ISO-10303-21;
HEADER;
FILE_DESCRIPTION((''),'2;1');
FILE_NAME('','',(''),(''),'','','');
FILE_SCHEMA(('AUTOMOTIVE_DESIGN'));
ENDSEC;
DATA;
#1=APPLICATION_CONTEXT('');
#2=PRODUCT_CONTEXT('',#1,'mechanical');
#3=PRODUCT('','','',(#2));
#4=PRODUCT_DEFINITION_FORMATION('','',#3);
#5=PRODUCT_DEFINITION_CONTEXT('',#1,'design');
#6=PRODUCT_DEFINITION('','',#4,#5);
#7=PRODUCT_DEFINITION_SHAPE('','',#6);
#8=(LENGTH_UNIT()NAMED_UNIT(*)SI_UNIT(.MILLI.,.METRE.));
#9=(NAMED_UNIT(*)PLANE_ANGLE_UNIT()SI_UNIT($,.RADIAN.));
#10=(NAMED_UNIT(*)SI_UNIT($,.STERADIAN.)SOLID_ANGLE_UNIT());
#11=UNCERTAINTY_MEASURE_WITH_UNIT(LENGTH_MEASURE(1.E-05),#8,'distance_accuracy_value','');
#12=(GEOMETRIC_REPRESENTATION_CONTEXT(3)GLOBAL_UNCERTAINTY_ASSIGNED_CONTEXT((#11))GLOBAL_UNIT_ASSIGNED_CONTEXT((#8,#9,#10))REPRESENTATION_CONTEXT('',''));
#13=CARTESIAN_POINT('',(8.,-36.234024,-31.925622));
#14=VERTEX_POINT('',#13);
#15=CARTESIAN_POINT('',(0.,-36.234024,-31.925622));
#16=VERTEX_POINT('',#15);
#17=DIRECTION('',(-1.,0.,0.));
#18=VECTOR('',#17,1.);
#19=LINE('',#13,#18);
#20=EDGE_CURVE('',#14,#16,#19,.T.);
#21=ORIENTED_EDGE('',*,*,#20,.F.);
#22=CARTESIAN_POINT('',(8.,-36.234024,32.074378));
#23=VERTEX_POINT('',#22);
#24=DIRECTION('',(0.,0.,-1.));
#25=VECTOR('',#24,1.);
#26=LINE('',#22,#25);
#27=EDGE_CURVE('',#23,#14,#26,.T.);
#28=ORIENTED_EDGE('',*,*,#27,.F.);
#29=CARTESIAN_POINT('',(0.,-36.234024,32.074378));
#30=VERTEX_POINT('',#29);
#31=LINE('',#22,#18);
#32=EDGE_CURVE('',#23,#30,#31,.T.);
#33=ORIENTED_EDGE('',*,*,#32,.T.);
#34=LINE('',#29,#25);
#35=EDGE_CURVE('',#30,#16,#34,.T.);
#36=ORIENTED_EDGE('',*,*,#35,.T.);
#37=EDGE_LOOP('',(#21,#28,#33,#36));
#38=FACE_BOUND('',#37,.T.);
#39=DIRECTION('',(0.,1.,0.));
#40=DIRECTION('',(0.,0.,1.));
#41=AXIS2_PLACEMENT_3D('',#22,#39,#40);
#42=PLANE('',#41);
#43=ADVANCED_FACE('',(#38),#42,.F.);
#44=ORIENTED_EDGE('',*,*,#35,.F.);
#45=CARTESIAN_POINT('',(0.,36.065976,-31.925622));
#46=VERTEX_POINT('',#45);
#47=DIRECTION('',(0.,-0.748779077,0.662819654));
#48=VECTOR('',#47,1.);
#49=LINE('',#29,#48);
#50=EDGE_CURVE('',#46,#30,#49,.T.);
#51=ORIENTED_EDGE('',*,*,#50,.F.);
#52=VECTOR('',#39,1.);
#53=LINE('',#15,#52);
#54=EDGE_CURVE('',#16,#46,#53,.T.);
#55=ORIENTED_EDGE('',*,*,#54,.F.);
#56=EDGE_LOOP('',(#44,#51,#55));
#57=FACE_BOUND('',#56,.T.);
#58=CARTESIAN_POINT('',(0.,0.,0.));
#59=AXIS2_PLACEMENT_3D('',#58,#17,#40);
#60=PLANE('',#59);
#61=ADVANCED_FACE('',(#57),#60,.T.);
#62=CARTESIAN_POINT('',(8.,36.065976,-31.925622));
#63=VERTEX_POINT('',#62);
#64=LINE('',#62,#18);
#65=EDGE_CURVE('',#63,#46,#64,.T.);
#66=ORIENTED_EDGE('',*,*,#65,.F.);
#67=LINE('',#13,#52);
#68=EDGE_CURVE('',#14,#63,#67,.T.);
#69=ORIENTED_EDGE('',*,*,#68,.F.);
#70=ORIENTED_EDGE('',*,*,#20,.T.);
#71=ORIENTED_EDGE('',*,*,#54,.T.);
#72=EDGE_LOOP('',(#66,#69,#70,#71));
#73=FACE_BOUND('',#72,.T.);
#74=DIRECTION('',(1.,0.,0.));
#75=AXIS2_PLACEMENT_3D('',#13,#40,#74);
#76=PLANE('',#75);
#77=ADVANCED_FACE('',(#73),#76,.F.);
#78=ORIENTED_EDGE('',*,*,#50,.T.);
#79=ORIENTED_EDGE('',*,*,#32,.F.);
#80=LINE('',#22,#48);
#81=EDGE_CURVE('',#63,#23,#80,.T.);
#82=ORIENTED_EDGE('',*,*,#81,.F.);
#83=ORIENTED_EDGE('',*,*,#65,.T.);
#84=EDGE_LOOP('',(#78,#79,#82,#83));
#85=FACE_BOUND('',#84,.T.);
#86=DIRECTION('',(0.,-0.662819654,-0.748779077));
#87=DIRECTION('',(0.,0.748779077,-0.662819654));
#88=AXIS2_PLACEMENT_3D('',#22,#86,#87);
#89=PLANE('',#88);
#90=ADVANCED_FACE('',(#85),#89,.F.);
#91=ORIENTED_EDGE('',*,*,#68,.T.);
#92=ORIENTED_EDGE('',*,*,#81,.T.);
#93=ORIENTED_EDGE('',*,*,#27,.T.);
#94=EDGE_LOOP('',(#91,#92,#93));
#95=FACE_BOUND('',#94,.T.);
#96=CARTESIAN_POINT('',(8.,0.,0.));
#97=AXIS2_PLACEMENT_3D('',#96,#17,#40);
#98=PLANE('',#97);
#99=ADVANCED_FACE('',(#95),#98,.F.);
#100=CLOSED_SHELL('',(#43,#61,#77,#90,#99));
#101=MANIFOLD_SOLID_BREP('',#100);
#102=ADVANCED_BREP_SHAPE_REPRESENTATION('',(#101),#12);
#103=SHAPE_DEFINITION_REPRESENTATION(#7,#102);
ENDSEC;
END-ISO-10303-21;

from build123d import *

# Parameters (mm, degrees)
SALIENTE_EXTRUIR1_DEPTH = 8


with BuildPart() as part:
    # Croquis1 → Saliente-Extruir1 (new body)
    with BuildSketch(Plane(origin=(0, 0, 0), x_dir=(0, 0, -1), z_dir=(1, 0, 0))):
        Polygon((-32.07437781, -36.234023682), (31.92562219, -36.234023682), (31.92562219, 36.065976318), align=None)
    extrude(amount=SALIENTE_EXTRUIR1_DEPTH)


solid = part.part
